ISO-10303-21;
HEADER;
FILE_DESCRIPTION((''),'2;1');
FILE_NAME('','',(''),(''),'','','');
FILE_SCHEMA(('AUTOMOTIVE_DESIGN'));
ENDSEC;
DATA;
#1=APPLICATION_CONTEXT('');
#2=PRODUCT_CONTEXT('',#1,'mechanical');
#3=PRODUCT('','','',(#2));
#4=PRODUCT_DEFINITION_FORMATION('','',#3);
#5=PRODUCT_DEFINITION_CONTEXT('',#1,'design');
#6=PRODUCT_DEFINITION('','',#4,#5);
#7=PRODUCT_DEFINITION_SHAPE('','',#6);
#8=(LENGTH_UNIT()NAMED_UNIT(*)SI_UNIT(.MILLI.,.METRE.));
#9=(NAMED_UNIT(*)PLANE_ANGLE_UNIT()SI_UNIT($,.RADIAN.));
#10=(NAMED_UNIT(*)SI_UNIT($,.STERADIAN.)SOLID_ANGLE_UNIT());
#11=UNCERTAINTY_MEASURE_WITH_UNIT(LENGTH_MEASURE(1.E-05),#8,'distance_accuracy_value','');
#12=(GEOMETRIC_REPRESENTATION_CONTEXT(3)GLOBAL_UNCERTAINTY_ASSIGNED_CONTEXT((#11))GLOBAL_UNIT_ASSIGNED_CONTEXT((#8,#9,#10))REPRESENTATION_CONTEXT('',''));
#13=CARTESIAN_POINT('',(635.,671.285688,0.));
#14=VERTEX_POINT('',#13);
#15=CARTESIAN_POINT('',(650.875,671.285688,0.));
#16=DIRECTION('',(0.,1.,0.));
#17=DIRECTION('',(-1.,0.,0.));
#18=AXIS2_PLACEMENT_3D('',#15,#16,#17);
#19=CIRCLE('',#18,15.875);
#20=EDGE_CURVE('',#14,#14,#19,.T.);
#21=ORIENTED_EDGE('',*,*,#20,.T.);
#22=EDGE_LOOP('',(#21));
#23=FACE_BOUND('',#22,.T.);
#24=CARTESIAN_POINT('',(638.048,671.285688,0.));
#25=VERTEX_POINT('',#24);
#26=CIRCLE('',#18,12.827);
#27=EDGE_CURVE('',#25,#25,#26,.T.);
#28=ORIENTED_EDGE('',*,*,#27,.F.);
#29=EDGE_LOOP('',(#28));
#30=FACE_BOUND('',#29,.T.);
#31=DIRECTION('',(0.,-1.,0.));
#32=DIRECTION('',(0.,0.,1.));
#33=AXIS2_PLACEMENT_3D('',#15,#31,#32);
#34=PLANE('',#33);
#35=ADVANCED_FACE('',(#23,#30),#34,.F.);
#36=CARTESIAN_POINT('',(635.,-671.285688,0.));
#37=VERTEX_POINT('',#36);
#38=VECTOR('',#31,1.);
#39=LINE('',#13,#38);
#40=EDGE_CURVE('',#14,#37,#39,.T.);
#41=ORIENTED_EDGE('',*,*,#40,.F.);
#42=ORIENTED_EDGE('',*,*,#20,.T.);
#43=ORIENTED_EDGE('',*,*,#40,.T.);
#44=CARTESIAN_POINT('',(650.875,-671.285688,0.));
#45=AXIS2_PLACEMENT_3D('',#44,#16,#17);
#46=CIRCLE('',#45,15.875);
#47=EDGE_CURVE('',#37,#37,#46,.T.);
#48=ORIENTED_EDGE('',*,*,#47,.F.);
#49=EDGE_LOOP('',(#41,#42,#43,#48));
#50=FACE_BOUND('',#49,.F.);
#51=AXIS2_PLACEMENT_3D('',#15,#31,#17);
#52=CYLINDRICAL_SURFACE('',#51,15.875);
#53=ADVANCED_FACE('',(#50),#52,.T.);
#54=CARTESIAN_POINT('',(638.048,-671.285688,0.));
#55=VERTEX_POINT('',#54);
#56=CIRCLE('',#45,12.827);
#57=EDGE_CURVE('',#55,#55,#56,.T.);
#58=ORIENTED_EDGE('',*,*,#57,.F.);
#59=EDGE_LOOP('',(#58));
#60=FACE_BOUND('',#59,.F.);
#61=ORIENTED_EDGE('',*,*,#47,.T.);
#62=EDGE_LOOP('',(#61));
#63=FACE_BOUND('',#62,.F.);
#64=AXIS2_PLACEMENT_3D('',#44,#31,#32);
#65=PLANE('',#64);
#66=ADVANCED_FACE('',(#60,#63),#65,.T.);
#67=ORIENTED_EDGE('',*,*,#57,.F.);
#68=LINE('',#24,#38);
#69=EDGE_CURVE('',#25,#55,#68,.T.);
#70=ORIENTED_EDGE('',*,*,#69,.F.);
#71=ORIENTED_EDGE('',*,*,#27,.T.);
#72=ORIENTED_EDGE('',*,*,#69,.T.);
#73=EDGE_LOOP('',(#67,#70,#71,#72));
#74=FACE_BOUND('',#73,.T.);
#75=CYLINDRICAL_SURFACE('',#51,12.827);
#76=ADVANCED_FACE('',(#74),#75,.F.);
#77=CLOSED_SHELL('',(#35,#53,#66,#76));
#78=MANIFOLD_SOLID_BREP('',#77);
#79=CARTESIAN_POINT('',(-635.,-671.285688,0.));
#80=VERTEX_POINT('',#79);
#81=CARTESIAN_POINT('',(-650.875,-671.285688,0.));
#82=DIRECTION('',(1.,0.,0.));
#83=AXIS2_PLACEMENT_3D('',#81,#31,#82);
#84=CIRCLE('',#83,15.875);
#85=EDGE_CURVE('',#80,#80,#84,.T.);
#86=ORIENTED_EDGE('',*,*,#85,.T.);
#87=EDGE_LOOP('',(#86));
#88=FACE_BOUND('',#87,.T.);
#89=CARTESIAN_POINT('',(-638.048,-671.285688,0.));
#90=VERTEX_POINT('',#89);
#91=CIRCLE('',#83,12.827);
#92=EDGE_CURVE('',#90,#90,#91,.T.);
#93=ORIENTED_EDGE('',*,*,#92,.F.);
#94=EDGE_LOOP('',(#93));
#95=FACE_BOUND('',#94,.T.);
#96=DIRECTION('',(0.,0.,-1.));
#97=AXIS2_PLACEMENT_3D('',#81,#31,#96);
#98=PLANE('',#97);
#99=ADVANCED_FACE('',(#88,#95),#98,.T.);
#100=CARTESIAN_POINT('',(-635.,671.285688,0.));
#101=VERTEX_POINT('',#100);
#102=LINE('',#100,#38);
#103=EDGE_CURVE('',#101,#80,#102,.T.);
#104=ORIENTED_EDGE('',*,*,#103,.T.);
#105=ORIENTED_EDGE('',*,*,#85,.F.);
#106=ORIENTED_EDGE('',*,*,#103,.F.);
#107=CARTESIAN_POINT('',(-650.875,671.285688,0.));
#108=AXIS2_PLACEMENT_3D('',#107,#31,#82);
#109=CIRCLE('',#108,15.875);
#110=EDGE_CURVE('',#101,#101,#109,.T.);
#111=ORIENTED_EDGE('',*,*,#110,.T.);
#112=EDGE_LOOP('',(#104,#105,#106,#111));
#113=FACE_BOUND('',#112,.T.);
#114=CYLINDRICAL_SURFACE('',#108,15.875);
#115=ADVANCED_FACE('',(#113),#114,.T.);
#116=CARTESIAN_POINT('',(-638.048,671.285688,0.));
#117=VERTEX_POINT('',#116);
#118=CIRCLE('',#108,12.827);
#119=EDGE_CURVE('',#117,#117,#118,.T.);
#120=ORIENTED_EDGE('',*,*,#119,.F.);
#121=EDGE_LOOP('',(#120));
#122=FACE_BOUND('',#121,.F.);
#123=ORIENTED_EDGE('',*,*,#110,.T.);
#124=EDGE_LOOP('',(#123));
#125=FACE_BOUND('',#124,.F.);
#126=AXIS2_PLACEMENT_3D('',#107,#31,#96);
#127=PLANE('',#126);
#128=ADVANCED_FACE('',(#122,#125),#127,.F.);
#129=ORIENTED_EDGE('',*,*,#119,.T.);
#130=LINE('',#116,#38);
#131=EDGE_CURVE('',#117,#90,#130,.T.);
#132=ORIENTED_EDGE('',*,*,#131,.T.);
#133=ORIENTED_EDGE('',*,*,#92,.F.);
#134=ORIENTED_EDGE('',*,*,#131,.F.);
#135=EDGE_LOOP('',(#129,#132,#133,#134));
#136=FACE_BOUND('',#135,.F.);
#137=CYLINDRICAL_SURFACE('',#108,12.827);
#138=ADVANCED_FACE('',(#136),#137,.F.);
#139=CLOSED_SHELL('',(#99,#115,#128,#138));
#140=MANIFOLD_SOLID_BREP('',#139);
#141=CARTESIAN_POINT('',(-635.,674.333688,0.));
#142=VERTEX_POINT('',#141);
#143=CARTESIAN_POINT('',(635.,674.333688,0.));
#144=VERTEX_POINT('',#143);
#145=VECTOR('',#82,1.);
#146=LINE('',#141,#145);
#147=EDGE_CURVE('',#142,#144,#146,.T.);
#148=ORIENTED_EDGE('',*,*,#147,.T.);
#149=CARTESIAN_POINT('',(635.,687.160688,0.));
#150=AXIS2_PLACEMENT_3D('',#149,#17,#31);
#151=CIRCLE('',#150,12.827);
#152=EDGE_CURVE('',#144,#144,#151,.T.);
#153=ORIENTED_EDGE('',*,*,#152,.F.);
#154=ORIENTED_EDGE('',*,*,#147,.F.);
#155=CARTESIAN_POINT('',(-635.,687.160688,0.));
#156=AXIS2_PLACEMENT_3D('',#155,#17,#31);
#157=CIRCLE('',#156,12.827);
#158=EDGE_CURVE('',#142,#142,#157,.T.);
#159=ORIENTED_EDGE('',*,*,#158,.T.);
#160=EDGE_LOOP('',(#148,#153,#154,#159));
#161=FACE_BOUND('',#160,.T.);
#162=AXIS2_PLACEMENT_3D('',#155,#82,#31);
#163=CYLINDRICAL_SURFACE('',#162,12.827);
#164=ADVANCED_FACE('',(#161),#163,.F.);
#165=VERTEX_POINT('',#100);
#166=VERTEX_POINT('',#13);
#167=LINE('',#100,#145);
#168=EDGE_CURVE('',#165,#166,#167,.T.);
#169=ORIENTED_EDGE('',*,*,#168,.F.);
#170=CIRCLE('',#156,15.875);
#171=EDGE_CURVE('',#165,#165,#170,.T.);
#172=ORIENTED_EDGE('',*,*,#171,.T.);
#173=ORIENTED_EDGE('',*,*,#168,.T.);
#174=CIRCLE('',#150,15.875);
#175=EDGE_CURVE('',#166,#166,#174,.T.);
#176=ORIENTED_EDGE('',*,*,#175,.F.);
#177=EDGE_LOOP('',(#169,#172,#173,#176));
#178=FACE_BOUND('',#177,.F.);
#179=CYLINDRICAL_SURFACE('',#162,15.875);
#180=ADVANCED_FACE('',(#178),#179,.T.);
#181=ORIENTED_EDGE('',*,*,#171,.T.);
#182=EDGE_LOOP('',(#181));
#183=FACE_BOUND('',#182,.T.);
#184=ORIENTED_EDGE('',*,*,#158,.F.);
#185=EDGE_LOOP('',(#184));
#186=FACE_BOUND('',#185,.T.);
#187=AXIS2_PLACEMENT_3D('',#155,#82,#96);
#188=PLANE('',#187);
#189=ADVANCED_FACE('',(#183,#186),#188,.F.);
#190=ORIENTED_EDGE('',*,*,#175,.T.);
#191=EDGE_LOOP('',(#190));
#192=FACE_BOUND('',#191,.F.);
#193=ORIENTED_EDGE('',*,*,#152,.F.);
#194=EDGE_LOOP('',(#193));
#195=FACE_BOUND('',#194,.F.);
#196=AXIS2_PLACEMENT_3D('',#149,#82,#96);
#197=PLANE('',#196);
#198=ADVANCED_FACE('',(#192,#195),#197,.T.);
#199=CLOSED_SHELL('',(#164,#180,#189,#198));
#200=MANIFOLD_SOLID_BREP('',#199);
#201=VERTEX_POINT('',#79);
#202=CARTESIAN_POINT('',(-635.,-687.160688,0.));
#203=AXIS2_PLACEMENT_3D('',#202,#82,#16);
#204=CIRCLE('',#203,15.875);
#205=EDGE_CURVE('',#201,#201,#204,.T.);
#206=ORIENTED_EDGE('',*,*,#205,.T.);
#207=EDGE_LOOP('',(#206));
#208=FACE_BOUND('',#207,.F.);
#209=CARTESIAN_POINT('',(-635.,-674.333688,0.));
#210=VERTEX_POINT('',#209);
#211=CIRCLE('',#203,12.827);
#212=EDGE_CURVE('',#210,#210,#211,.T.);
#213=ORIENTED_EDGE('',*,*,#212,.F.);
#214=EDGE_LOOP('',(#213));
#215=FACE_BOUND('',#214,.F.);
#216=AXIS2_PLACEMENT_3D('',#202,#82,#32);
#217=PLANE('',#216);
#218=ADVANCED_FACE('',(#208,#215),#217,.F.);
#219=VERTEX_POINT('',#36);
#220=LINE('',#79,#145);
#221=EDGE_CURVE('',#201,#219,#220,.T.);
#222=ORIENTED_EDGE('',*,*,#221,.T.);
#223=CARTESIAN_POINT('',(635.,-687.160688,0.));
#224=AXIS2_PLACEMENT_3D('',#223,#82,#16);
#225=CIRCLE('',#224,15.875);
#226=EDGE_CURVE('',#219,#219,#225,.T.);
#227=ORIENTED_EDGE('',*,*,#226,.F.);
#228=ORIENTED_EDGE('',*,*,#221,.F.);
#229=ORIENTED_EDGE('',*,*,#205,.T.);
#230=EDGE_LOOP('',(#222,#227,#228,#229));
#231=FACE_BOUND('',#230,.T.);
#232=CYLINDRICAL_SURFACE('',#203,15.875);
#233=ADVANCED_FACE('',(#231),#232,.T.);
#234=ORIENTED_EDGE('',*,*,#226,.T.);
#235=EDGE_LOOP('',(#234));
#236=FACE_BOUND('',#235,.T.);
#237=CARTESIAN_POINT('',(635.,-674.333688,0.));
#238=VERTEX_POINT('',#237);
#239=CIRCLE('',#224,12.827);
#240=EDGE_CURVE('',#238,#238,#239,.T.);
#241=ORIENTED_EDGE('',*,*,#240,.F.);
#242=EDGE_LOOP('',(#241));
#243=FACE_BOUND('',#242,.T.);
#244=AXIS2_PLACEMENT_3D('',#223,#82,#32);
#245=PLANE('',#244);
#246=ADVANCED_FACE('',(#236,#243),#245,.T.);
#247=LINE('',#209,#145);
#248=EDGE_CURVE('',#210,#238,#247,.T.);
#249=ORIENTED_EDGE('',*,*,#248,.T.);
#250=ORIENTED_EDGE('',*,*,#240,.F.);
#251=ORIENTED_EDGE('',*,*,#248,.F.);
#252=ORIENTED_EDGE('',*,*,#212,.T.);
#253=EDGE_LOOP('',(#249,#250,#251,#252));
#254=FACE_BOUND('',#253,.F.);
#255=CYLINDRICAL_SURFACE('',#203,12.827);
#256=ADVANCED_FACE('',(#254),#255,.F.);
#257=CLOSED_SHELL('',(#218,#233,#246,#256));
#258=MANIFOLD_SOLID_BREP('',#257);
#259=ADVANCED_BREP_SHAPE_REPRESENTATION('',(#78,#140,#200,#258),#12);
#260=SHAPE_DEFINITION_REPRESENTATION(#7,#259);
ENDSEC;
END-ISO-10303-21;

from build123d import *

# Parameters (mm, degrees)
F2_R   = 15.875
F2_R_2 = 12.827
F6_R   = 15.875
F6_R_2 = 12.827


with BuildPart() as f3:
    # F3: sweep along a path in F0
    with BuildLine(Plane.XY) as f3_path:
        Line((-635, 671.2856875498), (-635, -671.2856875498))
    # F2 (on plane+point) → F3 (sweep)
    with BuildSketch(Plane.XZ.offset(671.2856875498)):
        with Locations((-650.875, 0)):
            Circle(F2_R)
        with Locations((-650.875, 0)):
            Circle(F2_R_2, mode=Mode.SUBTRACT)
    sweep(path=f3_path.line)


with BuildPart() as f4_1:
    # F4: instance of F3
    add(f3.part.mirror(Plane.YZ))


with BuildPart() as f7:
    # F7: sweep along a path in F0
    with BuildLine(Plane.XY) as f7_path:
        Line((-635, -671.2856875498), (635, -671.2856875498))
    # F6 (on plane+point) → F7 (sweep)
    with BuildSketch(Plane.YZ.offset(-635)):
        with Locations((-687.1606875498, 0)):
            Circle(F6_R)
        with Locations((-687.1606875498, 0)):
            Circle(F6_R_2, mode=Mode.SUBTRACT)
    sweep(path=f7_path.line)


with BuildPart() as f8_1:
    # F8: instance of F7
    add(f7.part.mirror(Plane.XZ))


solid = Compound([f3.part, f4_1.part, f7.part, f8_1.part])
